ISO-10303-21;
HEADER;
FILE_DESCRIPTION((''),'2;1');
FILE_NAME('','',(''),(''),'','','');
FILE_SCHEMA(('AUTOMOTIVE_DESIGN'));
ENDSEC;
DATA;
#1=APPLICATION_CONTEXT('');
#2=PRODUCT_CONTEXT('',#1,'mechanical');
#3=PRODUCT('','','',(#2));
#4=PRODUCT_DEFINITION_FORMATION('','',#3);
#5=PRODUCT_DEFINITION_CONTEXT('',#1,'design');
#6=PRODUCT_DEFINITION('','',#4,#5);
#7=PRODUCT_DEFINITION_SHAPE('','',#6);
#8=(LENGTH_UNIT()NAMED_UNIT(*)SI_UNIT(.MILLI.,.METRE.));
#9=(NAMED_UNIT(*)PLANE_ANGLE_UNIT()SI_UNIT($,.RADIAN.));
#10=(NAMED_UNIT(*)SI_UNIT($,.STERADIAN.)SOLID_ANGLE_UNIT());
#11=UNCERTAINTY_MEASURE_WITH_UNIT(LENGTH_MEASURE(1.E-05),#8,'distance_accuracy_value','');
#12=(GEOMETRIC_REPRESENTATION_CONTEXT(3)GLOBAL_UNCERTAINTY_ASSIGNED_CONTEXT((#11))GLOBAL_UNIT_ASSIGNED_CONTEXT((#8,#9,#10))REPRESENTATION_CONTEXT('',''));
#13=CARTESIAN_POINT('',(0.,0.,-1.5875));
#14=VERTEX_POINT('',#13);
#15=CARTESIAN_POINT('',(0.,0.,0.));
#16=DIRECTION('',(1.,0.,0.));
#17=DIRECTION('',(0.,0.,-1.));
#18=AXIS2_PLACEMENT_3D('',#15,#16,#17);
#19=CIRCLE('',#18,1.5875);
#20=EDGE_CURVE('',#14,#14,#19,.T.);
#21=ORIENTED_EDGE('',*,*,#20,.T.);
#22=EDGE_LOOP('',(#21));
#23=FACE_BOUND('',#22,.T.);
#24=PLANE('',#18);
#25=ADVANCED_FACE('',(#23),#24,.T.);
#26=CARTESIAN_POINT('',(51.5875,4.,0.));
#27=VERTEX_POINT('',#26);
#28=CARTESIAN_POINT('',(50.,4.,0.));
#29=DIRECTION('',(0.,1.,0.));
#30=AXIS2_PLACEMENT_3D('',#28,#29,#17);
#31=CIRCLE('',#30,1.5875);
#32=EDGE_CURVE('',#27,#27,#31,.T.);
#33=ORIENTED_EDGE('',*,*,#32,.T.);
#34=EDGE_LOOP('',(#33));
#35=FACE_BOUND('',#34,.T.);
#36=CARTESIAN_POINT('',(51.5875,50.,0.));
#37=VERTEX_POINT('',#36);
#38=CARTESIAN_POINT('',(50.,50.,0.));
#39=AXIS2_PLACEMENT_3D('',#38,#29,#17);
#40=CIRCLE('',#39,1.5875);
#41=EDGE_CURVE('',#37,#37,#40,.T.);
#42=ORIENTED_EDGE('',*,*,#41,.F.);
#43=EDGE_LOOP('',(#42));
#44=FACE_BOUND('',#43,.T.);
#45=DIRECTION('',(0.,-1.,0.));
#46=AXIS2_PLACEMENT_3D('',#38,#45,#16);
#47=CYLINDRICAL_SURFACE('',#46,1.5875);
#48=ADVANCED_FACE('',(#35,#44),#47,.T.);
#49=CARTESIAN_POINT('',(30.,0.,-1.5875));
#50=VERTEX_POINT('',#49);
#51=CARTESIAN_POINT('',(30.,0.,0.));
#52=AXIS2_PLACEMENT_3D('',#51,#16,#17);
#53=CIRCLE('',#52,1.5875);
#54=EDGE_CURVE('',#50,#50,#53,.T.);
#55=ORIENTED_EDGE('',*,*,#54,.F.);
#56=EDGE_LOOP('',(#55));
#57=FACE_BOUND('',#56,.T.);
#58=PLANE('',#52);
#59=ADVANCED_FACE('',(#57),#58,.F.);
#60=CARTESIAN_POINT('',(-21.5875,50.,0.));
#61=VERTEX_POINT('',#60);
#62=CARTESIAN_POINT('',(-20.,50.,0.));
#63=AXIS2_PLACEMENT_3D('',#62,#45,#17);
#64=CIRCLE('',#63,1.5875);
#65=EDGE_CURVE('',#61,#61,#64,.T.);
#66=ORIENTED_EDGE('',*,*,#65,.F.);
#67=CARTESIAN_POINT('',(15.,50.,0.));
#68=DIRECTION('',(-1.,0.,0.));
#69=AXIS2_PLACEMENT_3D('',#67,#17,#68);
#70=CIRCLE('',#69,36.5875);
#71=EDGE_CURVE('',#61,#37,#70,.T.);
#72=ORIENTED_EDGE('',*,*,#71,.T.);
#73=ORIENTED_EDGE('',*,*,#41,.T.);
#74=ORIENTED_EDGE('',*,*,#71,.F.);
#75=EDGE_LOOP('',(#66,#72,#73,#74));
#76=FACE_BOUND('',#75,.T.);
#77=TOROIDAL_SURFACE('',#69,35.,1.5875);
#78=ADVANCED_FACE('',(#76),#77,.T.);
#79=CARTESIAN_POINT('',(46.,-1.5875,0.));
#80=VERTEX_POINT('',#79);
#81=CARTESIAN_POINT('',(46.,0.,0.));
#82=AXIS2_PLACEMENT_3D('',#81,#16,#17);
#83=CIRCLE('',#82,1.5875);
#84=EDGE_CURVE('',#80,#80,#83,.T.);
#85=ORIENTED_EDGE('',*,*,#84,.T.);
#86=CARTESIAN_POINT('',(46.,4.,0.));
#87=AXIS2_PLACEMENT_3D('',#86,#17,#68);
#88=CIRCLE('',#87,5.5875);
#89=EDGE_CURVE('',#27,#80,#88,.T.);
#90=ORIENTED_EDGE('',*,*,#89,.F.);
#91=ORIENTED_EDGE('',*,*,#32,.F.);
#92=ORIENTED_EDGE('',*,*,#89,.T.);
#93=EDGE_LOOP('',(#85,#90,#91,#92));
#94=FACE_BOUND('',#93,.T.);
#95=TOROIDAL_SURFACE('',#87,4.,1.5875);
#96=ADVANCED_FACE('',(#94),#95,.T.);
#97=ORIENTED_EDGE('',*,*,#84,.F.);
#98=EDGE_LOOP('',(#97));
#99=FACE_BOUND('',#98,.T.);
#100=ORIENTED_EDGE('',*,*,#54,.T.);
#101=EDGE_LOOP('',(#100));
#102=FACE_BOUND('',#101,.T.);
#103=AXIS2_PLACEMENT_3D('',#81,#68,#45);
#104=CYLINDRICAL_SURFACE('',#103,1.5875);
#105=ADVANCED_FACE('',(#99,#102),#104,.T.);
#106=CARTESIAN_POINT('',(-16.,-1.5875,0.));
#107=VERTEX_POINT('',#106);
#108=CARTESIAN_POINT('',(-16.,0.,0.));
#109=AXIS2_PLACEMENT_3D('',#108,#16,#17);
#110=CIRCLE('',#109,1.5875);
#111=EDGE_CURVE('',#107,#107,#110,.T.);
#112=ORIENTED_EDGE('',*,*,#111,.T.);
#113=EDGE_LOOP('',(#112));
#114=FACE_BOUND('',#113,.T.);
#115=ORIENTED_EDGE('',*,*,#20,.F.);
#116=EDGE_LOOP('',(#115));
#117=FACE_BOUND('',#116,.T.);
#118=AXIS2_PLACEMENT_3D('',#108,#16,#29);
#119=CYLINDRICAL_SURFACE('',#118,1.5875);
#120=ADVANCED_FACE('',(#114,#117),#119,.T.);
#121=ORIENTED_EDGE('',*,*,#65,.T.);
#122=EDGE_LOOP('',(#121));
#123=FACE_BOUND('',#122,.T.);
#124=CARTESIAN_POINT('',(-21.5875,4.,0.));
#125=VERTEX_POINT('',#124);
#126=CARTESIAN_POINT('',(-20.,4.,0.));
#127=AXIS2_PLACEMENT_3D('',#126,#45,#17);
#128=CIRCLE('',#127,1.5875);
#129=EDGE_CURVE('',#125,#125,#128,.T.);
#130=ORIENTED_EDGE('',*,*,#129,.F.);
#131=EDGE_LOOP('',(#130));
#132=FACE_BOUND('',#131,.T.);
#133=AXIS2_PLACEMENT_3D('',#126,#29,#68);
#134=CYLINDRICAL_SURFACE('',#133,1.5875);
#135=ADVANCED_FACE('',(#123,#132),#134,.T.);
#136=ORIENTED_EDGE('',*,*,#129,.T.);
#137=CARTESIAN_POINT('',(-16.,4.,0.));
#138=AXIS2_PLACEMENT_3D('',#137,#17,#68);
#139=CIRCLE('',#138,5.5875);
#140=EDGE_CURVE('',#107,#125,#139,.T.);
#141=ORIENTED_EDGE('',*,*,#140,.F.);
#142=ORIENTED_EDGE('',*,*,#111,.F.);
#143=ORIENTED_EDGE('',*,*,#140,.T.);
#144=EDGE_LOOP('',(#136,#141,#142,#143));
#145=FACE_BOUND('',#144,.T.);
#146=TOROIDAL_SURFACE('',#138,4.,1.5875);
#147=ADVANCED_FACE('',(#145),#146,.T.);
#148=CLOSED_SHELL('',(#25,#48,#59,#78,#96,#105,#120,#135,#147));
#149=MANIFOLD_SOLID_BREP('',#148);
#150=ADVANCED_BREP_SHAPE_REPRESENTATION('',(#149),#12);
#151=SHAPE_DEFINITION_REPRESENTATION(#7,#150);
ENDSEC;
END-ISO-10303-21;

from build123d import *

# Parameters (mm, degrees)
SKETCH2_R = 1.5875


with BuildPart() as part:
    # Sweep1: sweep along a path in Sketch1
    with BuildLine(Plane.XY) as sweep1_path:
        Line((0, 0), (-16, 0))
        ThreePointArc((-16, 0), (-18.828427125, 1.171572875), (-20, 4))
        Line((-20, 4), (-20, 50))
        ThreePointArc((-20, 50), (15, 85), (50, 50))
        Line((50, 50), (50, 4))
        ThreePointArc((50, 4), (48.828427125, 1.171572875), (46, 0))
        Line((46, 0), (30, 0))
    # Sketch2 → Sweep1 (sweep)
    with BuildSketch(Plane(origin=(0, 0, 0), x_dir=(0, 0, -1), z_dir=(1, 0, 0))):
        Circle(SKETCH2_R)
    sweep(path=sweep1_path.line)


solid = part.part
